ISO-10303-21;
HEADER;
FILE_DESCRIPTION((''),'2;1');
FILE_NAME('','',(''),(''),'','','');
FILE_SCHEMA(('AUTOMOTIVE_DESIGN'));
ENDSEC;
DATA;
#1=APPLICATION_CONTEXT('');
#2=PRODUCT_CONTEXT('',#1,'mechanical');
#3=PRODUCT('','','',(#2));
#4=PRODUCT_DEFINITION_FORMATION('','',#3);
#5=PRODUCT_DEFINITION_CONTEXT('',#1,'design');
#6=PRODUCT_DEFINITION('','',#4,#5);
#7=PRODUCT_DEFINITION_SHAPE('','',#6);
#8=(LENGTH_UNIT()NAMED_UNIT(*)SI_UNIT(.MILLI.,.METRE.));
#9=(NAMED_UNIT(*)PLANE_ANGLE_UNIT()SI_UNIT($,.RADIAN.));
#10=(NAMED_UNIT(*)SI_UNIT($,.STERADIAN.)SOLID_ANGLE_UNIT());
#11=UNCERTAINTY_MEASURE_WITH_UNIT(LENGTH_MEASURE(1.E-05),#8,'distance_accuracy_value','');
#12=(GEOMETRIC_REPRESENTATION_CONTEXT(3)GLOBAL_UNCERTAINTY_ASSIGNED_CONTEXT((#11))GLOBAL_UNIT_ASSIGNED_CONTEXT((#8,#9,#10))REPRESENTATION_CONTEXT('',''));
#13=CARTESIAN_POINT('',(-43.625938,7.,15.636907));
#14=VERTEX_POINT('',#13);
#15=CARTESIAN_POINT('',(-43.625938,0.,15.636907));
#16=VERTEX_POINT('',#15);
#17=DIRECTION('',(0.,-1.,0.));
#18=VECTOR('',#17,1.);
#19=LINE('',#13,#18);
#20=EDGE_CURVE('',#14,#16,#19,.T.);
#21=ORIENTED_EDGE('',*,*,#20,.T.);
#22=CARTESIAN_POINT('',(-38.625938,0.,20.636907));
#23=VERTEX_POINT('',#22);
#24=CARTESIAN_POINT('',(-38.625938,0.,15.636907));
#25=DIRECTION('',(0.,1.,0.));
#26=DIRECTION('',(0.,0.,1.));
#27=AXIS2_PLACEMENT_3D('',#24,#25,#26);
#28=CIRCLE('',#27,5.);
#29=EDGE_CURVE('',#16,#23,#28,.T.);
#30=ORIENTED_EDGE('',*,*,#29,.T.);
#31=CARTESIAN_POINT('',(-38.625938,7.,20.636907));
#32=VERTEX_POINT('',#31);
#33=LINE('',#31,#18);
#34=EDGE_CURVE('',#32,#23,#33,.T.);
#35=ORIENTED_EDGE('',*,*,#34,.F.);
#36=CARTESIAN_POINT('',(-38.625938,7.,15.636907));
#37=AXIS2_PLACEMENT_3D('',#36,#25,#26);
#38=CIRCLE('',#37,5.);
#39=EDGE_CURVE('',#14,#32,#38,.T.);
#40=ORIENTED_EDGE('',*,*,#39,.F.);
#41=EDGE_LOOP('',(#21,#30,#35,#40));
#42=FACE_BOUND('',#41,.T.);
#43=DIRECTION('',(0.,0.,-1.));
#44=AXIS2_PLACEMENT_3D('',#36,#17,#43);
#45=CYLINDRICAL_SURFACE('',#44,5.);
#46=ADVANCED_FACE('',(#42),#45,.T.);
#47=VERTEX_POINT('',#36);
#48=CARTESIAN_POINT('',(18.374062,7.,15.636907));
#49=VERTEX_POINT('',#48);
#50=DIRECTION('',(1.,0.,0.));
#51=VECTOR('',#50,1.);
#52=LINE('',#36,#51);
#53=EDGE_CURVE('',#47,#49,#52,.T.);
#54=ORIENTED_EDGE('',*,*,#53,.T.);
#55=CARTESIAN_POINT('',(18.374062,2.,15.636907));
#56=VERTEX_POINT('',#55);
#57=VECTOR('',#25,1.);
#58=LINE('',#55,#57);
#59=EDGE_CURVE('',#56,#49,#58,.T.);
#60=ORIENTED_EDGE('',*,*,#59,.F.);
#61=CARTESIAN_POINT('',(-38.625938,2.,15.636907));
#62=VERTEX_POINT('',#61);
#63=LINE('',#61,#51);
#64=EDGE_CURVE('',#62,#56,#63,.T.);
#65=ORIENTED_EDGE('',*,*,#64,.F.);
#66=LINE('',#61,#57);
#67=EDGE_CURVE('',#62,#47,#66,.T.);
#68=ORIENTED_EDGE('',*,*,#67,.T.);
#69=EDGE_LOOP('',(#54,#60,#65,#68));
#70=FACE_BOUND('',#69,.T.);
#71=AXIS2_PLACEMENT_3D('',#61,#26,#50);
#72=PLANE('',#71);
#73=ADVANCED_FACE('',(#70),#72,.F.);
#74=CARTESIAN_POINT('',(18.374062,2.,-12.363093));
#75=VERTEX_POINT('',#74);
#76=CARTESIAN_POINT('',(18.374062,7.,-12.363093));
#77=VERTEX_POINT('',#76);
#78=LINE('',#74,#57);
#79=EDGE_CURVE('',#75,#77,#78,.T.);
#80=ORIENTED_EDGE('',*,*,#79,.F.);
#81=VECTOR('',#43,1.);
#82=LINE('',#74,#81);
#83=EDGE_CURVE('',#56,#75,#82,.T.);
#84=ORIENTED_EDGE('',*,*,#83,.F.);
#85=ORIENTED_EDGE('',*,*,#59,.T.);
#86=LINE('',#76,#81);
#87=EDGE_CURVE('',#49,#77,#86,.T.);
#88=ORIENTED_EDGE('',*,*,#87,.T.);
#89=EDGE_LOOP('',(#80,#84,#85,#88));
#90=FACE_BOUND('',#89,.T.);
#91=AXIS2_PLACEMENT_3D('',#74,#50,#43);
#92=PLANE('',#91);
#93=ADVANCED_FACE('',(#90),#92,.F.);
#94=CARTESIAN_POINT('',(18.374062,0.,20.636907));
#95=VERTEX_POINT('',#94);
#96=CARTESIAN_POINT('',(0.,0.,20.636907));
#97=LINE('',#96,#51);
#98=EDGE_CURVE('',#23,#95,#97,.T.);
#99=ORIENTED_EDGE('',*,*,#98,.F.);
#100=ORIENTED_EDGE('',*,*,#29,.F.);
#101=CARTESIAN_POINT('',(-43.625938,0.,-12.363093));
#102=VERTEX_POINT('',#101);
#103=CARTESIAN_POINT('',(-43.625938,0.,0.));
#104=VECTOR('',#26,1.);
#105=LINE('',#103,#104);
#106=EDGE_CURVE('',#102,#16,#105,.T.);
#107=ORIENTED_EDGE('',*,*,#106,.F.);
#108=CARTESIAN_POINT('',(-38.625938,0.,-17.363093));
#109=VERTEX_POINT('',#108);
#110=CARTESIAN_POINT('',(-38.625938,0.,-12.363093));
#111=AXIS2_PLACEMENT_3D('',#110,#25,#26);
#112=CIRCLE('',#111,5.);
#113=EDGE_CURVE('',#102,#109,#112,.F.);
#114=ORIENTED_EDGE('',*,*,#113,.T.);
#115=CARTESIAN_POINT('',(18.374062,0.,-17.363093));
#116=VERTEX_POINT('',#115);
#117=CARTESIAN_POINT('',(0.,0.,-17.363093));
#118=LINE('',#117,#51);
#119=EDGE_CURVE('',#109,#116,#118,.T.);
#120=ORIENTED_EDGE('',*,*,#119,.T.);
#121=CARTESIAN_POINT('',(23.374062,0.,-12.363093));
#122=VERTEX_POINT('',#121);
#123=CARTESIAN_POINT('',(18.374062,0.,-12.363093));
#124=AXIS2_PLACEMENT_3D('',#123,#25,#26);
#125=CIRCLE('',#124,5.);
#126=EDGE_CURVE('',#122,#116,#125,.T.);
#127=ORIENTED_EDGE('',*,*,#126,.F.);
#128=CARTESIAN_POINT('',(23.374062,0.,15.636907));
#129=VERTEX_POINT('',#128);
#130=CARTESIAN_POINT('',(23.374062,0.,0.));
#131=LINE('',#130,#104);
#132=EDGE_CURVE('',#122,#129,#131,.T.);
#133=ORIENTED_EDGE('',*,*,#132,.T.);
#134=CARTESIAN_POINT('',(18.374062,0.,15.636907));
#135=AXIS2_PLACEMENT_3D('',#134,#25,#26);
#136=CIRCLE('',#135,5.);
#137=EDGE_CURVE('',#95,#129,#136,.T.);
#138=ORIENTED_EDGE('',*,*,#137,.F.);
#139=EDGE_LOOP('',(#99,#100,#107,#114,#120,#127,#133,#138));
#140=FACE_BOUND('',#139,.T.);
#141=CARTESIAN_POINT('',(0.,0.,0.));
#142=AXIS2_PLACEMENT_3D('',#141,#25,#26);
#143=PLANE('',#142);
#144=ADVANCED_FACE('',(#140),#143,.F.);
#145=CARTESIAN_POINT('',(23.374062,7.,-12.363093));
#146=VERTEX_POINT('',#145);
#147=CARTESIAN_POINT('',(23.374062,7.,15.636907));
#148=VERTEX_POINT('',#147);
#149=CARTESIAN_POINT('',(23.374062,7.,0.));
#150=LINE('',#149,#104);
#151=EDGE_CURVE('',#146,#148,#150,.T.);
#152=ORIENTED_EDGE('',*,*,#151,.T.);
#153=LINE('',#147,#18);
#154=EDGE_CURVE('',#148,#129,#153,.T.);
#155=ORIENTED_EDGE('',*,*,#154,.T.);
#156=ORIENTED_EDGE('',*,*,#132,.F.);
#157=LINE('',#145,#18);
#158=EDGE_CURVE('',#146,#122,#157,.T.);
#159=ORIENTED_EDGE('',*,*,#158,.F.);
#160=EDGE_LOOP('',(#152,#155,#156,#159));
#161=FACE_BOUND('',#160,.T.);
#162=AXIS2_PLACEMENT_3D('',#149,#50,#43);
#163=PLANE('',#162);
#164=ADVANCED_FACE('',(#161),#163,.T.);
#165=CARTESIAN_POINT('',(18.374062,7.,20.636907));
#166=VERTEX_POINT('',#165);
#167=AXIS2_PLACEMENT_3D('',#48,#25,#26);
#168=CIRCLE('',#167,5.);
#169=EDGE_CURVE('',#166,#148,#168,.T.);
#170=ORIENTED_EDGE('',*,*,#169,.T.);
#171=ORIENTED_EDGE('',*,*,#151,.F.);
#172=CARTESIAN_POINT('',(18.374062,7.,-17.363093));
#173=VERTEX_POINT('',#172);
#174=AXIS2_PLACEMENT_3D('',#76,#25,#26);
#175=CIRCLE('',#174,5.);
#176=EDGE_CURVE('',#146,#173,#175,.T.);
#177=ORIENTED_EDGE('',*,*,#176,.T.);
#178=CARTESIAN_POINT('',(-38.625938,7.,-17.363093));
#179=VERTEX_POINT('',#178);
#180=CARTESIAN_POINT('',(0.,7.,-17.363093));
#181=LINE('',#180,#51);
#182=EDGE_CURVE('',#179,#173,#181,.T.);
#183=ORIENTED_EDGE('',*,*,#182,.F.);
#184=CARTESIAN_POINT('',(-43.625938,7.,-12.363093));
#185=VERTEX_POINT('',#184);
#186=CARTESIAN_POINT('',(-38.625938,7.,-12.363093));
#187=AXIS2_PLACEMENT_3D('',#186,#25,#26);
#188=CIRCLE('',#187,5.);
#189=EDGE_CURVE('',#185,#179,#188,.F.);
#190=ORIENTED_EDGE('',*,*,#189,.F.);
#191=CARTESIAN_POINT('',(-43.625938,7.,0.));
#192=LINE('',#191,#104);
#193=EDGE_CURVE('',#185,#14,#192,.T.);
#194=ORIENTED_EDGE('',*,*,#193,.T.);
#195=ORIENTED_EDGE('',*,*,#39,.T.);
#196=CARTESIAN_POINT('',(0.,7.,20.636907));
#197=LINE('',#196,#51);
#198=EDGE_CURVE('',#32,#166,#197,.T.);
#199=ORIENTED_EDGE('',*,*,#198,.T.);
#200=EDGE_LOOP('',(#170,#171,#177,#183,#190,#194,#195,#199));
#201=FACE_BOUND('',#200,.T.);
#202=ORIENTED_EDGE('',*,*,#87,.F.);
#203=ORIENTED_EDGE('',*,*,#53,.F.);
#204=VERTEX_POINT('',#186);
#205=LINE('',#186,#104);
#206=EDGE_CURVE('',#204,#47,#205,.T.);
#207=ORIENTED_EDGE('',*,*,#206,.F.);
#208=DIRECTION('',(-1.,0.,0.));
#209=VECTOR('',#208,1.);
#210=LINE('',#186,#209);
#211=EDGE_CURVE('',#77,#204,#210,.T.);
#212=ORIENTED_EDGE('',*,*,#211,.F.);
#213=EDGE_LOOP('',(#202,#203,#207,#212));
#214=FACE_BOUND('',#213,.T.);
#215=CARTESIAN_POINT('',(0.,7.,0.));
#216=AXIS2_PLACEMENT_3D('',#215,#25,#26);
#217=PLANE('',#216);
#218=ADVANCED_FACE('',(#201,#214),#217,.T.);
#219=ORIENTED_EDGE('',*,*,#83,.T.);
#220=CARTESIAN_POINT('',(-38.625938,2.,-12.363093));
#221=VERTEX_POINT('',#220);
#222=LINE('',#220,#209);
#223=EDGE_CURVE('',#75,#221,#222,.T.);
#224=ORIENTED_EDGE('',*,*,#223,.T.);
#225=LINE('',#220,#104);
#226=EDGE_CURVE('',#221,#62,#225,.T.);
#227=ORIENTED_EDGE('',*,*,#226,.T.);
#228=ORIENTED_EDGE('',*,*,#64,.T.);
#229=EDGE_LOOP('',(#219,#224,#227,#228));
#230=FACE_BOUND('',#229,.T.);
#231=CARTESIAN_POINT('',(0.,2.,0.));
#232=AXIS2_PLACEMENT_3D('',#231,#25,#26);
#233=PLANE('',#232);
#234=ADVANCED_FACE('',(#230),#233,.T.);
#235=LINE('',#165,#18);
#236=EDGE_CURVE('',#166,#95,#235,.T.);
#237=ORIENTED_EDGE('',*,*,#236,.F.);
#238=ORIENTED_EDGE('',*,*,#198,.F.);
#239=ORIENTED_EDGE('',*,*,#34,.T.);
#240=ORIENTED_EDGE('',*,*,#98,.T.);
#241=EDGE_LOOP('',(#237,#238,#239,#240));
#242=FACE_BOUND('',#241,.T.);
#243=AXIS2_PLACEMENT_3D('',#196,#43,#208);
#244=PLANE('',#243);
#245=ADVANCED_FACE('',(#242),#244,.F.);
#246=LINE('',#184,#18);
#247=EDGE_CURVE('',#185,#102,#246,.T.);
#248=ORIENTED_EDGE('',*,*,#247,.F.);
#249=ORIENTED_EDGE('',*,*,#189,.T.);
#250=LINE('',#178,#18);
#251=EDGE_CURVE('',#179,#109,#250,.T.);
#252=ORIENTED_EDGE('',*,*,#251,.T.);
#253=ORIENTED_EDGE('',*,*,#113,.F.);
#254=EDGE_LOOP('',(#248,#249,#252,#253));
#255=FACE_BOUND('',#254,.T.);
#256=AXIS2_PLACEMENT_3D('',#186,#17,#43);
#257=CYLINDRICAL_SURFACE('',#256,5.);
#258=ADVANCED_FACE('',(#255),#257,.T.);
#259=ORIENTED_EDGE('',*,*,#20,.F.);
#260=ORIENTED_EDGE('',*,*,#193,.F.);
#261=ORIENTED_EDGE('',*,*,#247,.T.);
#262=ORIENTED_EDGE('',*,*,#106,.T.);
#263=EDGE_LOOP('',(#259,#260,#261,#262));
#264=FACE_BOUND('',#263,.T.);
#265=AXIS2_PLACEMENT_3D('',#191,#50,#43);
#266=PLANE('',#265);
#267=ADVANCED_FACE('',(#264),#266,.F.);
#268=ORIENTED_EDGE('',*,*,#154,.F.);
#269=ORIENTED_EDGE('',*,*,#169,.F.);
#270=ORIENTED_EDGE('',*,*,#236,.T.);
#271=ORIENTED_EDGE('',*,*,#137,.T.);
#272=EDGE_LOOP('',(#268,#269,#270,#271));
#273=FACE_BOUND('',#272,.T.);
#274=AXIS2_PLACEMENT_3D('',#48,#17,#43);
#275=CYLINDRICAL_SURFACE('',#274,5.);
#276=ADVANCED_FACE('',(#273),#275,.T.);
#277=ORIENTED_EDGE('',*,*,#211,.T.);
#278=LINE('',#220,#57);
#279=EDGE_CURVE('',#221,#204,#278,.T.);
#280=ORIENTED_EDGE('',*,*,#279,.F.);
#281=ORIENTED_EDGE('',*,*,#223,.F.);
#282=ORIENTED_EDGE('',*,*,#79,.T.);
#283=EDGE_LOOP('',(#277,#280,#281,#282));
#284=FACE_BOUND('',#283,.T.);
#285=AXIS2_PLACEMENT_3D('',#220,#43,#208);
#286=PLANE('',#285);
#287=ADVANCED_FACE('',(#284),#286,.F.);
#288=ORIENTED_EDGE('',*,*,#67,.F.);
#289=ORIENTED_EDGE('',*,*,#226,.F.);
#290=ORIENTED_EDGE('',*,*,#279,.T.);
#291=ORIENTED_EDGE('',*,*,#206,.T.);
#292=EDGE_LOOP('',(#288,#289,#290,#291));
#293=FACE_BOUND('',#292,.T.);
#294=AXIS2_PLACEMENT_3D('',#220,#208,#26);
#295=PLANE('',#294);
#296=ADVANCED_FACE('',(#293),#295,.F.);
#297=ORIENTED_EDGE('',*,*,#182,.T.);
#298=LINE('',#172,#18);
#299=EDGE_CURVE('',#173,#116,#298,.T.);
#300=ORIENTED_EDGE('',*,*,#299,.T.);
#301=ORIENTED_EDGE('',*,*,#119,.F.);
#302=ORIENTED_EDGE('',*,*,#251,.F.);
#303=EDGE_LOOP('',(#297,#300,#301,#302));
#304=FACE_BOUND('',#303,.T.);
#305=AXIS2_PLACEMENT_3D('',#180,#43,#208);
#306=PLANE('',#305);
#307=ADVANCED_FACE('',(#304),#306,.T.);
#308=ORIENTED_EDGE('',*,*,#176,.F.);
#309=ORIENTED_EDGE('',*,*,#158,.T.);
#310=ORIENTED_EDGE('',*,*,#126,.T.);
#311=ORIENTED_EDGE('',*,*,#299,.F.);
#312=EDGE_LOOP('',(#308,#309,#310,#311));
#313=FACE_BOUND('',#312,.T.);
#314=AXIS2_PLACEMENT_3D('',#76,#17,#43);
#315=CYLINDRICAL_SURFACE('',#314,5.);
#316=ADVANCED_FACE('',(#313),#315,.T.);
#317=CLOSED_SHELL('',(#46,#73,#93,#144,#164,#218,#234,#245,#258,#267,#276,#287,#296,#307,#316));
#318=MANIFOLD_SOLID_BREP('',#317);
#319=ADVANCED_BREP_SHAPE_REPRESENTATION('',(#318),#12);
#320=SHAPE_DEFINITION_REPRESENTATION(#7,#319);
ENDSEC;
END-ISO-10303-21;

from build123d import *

# Parameters (mm, degrees)
BOSS_EXTRUDE2_DEPTH = 7
SKETCH3_W           = 57
SKETCH3_H           = 28
CUT_EXTRUDE2_DEPTH  = 5


with BuildPart() as part:
    # Sketch1 → Boss-Extrude2 (new body)
    with BuildSketch(Plane(origin=(0, 0, 0), x_dir=(1, 0, 0), z_dir=(0, 1, 0))):
        with BuildLine():
            Line((-43.625937993, 12.363093075), (-43.625937993, -15.636906925))
            ThreePointArc((-43.625937993, -15.636906925), (-42.161471899, -19.172440831), (-38.625937993, -20.636906925))
            Line((-38.625937993, -20.636906925), (18.374062007, -20.636906925))
            ThreePointArc((18.374062007, -20.636906925), (21.909595913, -19.172440831), (23.374062007, -15.636906925))
            Line((23.374062007, -15.636906925), (23.374062007, 12.363093075))
            ThreePointArc((23.374062007, 12.363093075), (21.909595913, 15.898626981), (18.374062007, 17.363093075))
            Line((18.374062007, 17.363093075), (-38.625937993, 17.363093075))
            ThreePointArc((-38.625937993, 17.363093075), (-42.161471899, 15.898626981), (-43.625937993, 12.363093075))
        make_face()
    extrude(amount=BOSS_EXTRUDE2_DEPTH)

    # Sketch3 → Cut-Extrude2 (cut)
    with BuildSketch(Plane(origin=(0, 7, 0), x_dir=(1, 0, 0), z_dir=(0, 1, 0))):
        with Locations((-10.125937993, -1.636906925)):
            Rectangle(SKETCH3_W, SKETCH3_H)
    extrude(amount=-CUT_EXTRUDE2_DEPTH, mode=Mode.SUBTRACT)


solid = part.part
